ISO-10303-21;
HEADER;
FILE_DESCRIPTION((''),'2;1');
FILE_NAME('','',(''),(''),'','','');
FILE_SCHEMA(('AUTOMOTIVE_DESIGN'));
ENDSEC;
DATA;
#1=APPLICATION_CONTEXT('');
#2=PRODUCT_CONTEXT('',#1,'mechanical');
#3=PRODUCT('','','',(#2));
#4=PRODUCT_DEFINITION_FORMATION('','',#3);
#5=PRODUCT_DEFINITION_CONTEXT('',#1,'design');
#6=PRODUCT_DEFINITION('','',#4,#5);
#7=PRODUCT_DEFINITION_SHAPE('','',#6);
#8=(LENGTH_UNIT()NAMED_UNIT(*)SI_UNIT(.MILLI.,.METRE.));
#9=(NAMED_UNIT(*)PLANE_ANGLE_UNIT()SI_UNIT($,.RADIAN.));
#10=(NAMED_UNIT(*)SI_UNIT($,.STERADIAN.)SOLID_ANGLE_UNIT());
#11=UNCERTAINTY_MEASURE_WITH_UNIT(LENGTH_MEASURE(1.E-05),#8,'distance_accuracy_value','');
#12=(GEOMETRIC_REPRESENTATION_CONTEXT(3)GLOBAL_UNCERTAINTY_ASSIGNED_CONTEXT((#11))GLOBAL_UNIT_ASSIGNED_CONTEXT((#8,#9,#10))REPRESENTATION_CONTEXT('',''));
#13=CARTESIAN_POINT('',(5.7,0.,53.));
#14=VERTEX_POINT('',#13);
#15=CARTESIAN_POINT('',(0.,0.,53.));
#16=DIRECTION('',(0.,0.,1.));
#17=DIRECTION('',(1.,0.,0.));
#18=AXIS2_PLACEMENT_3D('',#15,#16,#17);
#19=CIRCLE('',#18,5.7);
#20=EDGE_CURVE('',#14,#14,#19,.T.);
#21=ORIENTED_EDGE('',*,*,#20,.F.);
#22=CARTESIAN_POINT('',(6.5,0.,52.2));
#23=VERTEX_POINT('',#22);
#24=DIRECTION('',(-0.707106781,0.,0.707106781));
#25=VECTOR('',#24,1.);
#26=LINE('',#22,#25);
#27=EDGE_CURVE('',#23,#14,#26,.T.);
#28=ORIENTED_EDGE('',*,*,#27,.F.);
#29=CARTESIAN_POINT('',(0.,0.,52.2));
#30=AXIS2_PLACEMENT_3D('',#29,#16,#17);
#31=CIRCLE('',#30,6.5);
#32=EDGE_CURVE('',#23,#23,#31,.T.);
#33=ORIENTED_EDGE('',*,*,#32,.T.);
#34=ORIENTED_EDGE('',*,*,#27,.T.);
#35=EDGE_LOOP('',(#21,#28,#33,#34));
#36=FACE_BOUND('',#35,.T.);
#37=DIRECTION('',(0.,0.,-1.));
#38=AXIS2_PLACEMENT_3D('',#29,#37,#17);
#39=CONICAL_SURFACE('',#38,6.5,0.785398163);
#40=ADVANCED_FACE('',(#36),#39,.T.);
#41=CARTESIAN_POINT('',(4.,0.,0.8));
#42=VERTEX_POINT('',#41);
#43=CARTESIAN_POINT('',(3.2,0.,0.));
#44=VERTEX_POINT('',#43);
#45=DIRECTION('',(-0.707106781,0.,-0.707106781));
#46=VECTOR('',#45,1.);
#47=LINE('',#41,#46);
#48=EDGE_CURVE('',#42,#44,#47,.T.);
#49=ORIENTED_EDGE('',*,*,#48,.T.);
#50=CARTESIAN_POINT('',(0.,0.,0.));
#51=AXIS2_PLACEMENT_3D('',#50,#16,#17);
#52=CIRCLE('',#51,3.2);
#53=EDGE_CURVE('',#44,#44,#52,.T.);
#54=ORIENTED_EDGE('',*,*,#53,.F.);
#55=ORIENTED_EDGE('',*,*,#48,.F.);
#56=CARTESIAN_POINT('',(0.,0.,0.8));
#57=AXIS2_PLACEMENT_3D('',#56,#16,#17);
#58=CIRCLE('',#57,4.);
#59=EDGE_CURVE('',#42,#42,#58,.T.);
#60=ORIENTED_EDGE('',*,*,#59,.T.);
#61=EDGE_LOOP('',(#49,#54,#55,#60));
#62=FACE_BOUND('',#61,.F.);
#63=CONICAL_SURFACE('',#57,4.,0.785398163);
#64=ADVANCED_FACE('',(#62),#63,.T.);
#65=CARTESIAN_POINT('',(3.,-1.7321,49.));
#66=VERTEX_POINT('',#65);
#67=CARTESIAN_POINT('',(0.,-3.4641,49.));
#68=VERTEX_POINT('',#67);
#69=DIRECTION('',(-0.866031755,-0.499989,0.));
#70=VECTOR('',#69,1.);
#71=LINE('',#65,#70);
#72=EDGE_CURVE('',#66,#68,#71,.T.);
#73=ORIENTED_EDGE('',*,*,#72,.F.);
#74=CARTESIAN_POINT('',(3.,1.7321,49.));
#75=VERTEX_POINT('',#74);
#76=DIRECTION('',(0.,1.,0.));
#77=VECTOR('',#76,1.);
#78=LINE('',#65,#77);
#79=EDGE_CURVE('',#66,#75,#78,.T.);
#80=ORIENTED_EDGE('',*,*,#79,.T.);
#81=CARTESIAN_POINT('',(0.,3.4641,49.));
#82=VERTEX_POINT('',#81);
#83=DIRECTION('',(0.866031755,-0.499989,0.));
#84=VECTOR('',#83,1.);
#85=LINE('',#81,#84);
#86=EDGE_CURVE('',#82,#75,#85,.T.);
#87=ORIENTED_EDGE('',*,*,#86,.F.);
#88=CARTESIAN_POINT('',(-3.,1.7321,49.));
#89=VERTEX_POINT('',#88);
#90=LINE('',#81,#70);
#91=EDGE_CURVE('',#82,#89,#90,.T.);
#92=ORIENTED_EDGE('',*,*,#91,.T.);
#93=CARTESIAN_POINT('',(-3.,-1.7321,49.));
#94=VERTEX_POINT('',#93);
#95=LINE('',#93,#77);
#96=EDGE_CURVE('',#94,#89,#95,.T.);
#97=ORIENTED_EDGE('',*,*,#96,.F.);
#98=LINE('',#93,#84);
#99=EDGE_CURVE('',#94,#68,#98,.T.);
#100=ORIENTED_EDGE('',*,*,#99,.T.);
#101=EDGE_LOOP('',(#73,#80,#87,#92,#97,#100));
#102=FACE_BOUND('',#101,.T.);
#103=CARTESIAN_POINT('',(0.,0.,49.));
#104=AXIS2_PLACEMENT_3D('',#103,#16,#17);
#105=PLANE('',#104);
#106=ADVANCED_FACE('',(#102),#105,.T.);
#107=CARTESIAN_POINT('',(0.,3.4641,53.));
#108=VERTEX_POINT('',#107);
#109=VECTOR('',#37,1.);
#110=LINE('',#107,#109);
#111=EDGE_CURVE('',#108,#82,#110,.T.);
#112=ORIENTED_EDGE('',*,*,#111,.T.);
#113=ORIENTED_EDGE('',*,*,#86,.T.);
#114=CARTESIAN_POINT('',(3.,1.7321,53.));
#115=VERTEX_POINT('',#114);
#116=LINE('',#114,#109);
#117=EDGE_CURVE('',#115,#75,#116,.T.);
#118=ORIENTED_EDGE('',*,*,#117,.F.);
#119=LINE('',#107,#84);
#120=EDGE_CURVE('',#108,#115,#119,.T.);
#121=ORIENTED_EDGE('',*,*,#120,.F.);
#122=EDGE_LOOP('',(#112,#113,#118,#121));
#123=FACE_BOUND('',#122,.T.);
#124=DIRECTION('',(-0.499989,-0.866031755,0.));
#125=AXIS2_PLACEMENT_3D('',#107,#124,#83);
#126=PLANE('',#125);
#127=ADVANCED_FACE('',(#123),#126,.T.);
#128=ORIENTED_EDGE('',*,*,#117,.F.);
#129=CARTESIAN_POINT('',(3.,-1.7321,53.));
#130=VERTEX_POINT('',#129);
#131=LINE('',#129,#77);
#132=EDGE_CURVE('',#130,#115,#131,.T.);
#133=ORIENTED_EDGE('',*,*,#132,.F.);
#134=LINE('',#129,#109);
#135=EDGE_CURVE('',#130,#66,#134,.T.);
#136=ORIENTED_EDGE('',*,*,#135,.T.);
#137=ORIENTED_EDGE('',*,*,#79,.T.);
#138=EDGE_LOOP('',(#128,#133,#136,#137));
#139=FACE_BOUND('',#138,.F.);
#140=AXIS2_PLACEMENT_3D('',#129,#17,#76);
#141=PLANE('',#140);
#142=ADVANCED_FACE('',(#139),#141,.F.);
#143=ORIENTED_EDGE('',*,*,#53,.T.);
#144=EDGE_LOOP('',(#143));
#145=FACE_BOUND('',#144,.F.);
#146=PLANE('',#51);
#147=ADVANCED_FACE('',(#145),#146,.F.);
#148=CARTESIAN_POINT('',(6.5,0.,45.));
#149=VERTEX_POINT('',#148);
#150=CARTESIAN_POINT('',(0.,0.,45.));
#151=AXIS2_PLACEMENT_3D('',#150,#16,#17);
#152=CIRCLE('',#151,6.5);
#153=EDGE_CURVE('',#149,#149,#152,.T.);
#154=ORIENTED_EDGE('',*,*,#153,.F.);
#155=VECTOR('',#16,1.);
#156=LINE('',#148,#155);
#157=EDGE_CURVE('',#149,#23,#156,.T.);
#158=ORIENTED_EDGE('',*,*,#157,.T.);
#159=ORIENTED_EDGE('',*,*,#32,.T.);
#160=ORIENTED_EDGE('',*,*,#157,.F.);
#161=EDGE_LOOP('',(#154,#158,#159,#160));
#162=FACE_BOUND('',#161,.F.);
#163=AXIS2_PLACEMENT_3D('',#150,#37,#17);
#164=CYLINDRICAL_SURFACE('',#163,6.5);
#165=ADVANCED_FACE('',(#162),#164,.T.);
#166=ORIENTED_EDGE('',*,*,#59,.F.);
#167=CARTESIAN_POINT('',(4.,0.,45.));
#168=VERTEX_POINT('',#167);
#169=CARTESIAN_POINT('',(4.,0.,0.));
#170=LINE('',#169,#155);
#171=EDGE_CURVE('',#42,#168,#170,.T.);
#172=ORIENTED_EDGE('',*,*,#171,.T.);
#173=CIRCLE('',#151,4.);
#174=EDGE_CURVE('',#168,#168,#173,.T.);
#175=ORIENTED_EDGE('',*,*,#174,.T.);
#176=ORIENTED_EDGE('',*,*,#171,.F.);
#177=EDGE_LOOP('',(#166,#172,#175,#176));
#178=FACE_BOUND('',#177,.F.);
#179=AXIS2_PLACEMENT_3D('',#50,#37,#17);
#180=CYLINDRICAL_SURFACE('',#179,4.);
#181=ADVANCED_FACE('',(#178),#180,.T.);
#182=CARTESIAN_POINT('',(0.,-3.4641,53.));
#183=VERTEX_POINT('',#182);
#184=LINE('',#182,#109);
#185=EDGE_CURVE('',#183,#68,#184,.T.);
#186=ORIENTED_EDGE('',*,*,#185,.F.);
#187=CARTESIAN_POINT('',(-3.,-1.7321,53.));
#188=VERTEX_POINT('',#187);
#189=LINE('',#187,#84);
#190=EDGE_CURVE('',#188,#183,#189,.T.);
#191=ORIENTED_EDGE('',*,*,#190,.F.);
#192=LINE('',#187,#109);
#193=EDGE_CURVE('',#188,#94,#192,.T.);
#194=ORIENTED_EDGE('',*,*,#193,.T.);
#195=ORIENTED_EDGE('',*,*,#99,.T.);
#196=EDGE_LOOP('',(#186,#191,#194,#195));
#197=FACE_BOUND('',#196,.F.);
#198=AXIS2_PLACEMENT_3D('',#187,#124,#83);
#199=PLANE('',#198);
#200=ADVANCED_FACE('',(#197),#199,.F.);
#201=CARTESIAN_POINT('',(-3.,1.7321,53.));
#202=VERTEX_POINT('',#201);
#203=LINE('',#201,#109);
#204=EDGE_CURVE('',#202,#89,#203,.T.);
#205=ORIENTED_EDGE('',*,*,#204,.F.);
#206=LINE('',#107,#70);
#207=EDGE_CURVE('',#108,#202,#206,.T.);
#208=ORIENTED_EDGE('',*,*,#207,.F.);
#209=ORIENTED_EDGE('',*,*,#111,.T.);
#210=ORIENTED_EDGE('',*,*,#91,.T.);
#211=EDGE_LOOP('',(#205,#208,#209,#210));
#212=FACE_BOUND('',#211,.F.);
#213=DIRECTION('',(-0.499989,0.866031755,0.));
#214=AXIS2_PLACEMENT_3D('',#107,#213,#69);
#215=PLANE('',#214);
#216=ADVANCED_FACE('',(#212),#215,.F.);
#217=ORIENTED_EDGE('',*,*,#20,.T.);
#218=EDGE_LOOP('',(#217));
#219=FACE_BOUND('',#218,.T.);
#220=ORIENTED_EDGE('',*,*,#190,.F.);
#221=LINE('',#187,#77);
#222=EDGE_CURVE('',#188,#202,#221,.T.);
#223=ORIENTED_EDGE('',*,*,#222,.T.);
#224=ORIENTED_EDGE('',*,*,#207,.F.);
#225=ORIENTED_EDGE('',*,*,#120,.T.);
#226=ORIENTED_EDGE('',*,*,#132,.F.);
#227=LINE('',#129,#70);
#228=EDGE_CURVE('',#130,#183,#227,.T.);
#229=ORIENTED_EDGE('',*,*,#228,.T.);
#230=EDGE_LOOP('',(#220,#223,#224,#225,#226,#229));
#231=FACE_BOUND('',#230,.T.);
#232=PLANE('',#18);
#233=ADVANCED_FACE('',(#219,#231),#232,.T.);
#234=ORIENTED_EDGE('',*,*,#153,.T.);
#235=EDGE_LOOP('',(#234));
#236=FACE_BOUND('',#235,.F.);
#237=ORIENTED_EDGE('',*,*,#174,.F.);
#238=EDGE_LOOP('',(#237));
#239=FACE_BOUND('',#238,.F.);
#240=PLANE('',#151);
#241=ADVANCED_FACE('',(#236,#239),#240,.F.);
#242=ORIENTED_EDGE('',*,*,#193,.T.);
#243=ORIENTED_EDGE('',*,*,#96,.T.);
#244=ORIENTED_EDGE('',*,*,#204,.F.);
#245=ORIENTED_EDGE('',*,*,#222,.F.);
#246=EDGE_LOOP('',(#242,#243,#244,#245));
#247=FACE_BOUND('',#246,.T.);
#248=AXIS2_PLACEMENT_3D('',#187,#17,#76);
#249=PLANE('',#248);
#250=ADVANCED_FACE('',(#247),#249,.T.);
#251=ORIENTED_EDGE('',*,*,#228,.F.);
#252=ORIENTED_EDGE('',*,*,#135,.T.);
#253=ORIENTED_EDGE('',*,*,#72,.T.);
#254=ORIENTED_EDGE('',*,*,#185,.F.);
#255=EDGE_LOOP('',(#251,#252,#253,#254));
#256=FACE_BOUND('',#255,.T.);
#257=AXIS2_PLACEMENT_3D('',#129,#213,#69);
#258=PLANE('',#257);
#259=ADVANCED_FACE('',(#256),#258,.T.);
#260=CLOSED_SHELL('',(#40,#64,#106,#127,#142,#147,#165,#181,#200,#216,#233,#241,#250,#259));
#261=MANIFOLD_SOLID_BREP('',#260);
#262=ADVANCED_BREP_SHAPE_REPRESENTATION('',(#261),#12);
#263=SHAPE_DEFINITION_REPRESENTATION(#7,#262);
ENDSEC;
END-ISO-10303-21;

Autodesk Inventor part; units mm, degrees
ref_plane "YZ Plane" through (0, 0, 0) normal (1, 0, 0) x (0, 1, 0)
ref_plane "XZ Plane" through (0, 0, 0) normal (0, 1, 0) x (-1, 0, 0)
ref_plane "XY Plane" through (0, 0, 0) normal (0, 0, 1) x (1, 0, 0)
sketch "Sketch1" plane through (0, 0, 0) normal (0, 0, 1) x (1, 0, 0)
  circle A0 centre (0, 0) radius 4
  dimension "Diameter" = 8
extrude "Extrusion1" add sketch "Sketch1" along normal blind 45
sketch "Sketch2" plane through (0, 0, 45) normal (0, 0, 1) x (1, 0, 0)
  circle A0 centre (0, 0) radius 4 projected
  circle A1 centre (0, 0) radius 6.5
  dimension "Head_Diameter" = 13
extrude "Extrusion2" add sketch "Sketch2" along normal blind 8 contours A0 | A1
sketch "Sketch3" plane through (0, 0, 53) normal (0, 0, 1) x (1, 0, 0)
  circle A0 centre (0, 0) radius 6.5 projected
  circle A1 centre (0, 0) radius 3.4641 construction
  line L0 (0, 3.4641) -> (3, 1.7321)
  line L1 (3, -1.7321) -> (3, 1.7321)
  line L2 (0, 3.4641) -> (-3, 1.7321)
  line L3 (-3, -1.7321) -> (-3, 1.7321)
  line L4 (-3, -1.7321) -> (0, -3.4641)
  line L5 (3, -1.7321) -> (0, -3.4641)
  dimension "Hex_Width" = 6
extrude "Extrusion3" cut sketch "Sketch3" against normal blind 4 contours L0 L1 L5 L4 L3 L2
thread "Thread1" size "M8x1.25" class "4g6g" standard "ANSI Metric M Profile" length 30
chamfer "Chamfer1" distance 0.8 angle 45 2 edges at (-6.5, 0, 53) (-4, 0, 0)
equation "\"d12\" = Chamfer"
equation "\"ThreadLength\" = 16"
equation "\"Chamfer\" = 0.8"
properties part number "SCREW,SOCKET HD,P,12.9,M8X1.25X45MM"
